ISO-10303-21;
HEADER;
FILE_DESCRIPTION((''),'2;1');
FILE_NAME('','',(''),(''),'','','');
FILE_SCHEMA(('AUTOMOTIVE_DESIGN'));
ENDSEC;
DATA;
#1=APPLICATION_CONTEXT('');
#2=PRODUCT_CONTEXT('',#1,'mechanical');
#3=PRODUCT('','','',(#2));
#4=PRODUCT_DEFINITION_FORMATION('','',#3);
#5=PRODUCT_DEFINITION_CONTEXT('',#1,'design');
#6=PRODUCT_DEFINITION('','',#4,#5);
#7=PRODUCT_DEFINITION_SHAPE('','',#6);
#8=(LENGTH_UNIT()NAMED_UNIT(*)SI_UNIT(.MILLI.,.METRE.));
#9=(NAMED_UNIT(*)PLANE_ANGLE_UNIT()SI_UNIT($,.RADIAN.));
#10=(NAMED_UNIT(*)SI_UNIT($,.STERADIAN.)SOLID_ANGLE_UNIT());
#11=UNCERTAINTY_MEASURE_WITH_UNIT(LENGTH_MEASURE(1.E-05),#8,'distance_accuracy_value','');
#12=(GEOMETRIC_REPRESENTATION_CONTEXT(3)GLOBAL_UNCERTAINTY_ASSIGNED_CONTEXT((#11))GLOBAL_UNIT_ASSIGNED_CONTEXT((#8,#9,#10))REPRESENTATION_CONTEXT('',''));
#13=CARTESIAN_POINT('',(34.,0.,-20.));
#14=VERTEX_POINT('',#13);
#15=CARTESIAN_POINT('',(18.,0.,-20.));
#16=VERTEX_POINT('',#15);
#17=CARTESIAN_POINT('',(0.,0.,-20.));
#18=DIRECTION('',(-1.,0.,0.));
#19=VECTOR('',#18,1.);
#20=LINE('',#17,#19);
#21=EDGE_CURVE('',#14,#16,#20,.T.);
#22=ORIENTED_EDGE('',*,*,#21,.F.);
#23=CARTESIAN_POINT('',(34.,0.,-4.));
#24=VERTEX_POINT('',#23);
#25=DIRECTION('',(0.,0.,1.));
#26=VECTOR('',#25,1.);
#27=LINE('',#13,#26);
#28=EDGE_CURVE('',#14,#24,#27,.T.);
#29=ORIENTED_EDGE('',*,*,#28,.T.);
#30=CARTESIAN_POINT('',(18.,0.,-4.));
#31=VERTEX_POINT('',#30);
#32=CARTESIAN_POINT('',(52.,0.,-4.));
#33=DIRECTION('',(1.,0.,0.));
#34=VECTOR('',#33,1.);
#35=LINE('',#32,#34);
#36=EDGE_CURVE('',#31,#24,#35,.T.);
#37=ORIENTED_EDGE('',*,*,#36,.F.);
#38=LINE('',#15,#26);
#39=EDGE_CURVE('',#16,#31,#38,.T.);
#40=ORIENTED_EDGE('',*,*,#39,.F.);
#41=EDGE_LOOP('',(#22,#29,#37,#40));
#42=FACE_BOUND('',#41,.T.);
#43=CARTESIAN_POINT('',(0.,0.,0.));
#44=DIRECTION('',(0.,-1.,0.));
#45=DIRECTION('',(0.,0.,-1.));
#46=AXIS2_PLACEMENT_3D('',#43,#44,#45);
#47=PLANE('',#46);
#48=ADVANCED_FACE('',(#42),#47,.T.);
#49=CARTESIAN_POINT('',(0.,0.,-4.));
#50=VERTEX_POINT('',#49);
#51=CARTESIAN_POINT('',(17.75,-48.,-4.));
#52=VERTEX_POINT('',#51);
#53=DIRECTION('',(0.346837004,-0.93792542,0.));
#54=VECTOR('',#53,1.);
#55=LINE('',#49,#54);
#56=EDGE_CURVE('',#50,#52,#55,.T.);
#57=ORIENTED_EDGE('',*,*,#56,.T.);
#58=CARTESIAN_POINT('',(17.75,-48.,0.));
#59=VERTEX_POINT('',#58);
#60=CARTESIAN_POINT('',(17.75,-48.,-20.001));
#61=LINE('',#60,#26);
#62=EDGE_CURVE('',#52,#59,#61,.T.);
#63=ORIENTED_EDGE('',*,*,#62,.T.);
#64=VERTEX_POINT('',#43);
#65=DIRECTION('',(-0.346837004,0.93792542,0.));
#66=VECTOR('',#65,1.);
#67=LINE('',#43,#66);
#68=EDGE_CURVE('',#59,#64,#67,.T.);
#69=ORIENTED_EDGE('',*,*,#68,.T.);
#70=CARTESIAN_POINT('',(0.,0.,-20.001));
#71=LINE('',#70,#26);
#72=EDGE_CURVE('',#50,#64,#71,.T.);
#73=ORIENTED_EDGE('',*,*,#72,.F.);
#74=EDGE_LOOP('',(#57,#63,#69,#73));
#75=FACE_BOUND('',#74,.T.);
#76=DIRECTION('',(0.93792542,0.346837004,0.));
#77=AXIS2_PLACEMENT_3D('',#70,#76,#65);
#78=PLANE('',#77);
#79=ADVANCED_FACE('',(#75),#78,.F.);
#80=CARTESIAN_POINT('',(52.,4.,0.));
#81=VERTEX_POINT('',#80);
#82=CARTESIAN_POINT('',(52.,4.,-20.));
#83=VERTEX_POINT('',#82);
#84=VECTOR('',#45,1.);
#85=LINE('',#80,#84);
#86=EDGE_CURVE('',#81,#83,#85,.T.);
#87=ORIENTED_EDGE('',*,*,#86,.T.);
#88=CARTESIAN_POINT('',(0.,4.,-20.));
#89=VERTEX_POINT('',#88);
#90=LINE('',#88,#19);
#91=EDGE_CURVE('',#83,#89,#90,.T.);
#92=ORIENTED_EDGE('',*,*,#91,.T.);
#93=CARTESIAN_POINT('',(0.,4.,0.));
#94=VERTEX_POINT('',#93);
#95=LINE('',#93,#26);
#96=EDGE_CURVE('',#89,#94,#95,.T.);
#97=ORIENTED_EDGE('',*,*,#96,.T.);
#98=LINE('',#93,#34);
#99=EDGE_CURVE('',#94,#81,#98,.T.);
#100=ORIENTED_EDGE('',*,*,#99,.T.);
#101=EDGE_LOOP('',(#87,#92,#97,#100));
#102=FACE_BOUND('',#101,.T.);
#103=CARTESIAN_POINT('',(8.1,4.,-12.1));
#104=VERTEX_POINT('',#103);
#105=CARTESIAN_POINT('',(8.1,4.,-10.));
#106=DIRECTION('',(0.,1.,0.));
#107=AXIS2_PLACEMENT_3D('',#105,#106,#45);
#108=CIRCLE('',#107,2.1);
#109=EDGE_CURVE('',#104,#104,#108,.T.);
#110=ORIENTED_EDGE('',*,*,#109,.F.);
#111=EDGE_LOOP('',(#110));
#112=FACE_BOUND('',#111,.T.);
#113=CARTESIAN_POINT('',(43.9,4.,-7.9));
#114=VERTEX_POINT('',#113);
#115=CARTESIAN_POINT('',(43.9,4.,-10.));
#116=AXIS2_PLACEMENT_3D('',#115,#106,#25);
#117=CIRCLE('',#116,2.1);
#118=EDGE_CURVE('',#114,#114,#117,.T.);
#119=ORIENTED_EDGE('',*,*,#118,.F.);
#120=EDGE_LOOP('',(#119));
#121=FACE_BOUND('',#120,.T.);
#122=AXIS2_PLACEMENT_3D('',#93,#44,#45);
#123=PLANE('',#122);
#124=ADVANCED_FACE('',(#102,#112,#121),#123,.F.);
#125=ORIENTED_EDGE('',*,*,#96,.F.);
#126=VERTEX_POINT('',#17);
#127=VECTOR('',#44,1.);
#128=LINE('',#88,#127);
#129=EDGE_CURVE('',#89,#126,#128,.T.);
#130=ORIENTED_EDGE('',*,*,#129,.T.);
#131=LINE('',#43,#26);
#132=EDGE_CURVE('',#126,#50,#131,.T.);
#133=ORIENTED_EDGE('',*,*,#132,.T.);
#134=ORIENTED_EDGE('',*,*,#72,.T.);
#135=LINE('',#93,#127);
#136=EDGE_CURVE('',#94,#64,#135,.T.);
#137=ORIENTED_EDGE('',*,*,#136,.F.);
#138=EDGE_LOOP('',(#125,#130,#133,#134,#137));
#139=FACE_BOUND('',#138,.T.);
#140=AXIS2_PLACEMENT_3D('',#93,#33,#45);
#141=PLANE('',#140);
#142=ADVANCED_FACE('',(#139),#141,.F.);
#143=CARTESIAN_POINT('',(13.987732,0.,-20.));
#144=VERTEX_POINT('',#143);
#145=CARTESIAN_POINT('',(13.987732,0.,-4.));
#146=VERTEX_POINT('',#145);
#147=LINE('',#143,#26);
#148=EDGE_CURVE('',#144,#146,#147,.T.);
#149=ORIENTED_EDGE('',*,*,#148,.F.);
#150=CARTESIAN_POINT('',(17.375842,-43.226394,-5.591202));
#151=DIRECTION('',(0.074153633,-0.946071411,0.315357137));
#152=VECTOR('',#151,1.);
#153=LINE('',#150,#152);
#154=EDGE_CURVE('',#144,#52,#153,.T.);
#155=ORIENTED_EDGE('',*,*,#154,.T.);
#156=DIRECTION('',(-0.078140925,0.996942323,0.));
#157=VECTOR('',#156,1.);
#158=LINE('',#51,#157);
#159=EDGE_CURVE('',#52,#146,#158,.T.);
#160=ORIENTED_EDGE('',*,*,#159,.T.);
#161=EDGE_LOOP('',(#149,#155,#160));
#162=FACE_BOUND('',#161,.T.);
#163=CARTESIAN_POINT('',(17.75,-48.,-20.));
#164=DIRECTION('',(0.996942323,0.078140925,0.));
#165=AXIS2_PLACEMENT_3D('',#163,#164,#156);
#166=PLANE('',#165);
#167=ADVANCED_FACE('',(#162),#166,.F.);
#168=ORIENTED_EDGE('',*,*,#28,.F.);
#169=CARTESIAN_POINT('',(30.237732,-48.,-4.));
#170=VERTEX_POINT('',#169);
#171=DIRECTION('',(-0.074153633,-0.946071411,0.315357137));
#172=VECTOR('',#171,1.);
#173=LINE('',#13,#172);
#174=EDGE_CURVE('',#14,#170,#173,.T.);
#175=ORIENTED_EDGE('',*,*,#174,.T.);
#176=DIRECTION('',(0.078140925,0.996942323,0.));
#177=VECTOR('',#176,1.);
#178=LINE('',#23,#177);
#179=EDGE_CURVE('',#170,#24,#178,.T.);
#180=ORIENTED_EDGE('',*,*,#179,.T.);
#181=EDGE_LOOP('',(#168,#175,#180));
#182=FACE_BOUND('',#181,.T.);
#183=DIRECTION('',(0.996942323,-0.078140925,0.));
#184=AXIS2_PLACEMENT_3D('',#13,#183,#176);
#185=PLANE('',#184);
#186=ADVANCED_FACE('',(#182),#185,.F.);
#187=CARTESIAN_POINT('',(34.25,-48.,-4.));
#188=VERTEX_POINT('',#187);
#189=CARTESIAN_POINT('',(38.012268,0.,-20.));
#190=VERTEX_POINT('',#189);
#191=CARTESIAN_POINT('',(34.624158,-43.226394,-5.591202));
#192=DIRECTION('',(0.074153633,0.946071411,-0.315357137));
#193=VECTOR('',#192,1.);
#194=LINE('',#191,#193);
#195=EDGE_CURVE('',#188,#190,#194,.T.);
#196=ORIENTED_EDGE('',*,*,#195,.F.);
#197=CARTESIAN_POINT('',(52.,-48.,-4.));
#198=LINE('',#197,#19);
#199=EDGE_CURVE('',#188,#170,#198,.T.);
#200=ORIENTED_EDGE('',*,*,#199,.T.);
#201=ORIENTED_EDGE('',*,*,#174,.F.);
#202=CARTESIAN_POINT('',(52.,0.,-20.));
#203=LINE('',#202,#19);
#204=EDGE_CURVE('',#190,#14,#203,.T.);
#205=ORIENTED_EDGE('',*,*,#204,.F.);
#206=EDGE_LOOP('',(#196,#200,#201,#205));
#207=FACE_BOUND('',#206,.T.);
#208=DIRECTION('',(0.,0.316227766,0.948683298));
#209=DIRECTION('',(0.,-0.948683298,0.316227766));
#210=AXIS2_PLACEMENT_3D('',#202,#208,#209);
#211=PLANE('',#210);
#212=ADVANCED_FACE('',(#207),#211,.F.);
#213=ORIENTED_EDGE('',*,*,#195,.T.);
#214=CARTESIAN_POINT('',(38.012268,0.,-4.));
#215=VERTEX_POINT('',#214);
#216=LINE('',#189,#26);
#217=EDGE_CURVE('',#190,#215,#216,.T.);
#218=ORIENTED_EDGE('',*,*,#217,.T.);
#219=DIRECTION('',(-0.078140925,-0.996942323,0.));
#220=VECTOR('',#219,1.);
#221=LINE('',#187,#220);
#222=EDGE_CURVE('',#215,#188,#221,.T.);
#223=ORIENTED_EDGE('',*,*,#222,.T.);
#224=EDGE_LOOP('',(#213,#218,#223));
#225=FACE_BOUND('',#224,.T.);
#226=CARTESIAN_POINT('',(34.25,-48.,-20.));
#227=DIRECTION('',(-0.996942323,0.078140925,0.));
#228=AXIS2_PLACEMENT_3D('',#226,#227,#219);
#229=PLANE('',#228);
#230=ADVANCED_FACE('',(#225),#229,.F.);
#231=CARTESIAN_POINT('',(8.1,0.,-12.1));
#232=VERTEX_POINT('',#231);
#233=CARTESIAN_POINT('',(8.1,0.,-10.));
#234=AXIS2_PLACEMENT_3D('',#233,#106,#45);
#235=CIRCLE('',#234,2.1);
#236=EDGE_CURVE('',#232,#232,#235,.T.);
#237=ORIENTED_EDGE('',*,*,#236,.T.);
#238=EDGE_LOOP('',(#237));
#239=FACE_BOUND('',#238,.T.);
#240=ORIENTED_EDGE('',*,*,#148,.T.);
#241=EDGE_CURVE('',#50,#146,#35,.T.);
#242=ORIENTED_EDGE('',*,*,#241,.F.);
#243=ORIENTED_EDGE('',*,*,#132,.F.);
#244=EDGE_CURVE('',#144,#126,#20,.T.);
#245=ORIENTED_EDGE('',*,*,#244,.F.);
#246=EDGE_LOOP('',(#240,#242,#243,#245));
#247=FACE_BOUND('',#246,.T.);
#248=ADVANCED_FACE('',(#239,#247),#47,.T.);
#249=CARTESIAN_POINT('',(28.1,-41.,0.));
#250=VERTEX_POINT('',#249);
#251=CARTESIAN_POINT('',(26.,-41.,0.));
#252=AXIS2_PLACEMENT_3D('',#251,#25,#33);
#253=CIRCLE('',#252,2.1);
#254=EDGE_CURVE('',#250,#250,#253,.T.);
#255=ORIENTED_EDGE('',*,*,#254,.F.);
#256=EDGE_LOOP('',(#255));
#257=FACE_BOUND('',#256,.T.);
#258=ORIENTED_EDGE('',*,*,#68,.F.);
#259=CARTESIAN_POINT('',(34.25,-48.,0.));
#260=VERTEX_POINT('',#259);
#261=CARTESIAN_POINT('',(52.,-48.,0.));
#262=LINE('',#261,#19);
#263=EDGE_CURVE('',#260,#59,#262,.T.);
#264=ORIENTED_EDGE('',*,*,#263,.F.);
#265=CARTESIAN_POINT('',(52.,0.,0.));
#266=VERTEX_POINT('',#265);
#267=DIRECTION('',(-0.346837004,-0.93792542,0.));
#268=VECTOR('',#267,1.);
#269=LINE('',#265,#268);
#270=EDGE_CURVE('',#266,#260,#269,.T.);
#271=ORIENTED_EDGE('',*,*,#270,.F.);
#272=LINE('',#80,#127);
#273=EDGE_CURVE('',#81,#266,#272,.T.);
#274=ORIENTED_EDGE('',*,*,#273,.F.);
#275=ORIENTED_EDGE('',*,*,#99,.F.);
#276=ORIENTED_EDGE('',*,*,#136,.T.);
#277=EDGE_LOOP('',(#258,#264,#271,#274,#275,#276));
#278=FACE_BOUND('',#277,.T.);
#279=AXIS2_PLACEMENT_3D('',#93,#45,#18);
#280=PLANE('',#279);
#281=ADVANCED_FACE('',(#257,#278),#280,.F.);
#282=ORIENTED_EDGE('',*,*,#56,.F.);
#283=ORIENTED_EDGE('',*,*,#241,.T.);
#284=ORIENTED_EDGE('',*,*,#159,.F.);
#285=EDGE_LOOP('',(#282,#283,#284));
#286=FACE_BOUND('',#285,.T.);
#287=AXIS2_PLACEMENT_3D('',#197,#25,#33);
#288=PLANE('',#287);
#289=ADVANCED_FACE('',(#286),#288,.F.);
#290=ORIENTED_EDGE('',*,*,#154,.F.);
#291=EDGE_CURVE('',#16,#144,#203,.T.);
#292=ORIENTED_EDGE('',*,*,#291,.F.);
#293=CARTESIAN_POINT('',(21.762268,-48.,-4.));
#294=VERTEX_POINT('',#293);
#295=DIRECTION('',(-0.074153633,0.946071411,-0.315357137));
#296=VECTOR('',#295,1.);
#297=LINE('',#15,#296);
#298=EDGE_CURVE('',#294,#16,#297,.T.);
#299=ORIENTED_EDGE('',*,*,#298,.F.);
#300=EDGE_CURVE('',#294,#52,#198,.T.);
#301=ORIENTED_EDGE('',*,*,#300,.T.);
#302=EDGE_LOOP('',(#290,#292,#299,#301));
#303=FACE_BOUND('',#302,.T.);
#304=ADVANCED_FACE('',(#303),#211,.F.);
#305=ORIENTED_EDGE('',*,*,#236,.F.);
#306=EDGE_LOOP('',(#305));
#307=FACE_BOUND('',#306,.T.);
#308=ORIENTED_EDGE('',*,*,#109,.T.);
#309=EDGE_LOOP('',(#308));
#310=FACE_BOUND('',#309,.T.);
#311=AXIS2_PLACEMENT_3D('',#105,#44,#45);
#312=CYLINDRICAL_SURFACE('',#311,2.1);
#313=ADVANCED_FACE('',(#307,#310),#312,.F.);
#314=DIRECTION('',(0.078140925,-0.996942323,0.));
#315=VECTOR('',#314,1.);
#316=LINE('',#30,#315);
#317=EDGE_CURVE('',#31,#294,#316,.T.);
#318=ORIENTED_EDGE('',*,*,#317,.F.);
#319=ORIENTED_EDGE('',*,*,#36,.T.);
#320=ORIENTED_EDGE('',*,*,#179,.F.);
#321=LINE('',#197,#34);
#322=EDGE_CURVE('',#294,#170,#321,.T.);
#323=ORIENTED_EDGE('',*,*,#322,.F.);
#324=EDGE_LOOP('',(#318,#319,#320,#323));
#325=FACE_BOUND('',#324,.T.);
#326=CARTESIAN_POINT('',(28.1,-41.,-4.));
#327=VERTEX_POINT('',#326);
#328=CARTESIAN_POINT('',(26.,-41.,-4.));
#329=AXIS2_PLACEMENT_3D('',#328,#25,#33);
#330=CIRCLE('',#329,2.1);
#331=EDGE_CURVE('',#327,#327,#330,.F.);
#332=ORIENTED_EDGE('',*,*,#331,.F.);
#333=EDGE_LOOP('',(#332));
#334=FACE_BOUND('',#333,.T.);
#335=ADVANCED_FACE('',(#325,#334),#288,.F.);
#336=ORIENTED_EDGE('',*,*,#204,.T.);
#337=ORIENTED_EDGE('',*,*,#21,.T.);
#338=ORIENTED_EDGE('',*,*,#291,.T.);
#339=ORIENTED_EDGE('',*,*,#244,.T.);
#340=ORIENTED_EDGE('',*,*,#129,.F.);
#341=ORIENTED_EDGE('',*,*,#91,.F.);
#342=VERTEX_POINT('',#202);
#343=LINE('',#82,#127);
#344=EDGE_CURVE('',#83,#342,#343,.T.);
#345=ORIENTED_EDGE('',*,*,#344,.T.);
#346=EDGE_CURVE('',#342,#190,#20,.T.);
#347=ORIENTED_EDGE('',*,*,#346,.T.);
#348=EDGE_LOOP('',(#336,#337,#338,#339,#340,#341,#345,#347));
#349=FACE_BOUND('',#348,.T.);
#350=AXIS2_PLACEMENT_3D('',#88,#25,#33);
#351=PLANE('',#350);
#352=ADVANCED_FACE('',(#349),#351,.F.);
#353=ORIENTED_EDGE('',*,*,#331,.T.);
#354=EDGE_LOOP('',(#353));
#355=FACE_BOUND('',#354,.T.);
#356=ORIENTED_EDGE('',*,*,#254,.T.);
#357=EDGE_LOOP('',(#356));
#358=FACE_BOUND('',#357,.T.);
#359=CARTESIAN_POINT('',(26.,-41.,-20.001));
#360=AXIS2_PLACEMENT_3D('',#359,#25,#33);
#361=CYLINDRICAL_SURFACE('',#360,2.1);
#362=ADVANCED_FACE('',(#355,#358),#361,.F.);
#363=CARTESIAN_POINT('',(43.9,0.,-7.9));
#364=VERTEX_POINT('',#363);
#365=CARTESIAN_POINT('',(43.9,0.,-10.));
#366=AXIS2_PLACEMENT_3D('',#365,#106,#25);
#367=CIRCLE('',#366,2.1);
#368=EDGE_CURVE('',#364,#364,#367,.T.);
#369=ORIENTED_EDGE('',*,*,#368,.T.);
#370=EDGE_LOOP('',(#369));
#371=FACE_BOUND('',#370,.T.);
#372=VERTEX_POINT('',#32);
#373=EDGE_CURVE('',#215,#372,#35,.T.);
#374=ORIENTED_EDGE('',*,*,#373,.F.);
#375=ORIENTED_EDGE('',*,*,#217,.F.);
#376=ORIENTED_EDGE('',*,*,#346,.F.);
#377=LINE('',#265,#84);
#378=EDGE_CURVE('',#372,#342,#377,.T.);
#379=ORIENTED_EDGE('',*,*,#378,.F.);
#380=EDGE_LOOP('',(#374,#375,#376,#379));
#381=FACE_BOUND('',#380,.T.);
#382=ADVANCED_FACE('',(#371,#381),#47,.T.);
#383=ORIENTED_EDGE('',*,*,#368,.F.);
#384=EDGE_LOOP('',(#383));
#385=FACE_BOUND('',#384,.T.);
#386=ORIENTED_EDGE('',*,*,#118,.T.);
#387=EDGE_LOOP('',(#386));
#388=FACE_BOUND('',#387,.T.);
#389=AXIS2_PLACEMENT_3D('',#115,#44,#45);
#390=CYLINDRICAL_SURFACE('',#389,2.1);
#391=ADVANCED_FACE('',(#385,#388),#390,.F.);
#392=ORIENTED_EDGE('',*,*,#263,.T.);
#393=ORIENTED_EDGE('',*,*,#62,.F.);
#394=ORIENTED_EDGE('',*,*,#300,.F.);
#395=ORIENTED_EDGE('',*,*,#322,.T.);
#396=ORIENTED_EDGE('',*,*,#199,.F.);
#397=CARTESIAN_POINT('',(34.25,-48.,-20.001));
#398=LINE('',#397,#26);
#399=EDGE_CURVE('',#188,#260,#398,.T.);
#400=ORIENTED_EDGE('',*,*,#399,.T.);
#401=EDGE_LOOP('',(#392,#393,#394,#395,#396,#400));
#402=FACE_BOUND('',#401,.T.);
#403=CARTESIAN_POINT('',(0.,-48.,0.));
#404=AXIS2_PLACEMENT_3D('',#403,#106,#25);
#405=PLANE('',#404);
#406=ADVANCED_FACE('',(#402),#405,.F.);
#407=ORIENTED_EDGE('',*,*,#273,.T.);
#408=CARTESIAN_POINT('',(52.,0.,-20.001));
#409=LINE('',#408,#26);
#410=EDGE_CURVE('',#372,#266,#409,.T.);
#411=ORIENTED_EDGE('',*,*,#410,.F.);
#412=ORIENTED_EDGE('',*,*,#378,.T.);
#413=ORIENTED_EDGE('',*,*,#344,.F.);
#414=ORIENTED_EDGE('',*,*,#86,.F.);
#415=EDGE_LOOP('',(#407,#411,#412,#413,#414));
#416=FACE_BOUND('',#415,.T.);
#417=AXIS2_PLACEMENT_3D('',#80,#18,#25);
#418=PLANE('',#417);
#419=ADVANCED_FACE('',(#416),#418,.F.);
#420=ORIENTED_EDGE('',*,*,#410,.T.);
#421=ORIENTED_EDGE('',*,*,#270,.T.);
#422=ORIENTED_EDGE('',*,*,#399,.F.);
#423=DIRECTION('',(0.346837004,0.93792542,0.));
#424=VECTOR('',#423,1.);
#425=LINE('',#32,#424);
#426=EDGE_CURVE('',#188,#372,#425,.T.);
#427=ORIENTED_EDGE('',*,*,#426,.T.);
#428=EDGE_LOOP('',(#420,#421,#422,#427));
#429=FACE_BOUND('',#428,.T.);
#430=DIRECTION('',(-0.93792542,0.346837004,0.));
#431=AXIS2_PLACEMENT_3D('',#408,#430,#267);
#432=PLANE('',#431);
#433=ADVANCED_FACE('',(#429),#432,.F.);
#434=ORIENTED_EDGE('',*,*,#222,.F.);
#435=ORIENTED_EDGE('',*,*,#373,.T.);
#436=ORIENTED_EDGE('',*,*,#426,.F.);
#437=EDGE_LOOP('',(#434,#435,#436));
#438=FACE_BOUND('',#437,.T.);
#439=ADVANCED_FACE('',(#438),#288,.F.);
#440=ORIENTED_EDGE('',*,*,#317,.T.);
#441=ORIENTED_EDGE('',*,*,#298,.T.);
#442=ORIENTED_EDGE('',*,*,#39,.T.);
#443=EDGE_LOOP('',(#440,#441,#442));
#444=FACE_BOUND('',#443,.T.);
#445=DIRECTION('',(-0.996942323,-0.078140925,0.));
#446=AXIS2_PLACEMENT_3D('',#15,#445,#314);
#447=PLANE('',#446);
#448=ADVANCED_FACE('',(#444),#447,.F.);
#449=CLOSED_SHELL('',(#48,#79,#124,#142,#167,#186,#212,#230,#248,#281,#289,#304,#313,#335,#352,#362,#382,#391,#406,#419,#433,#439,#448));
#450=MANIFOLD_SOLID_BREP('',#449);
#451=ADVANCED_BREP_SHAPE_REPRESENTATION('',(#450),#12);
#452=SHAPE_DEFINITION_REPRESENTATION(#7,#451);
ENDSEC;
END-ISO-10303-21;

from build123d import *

# Parameters (mm, degrees)
SKETCH1_W           = 52
SKETCH1_H           = 20
SKETCH1_R           = 2.1
BOSS_EXTRUDE1_DEPTH = 4
SKETCH2_W           = 52
SKETCH2_H           = 4
BOSS_EXTRUDE2_DEPTH = 48
CUT_EXTRUDE1_REACH  = 22
SKETCH3_R           = 2.1
BOSS_EXTRUDE3_DEPTH = 16
CUT_EXTRUDE3_DEPTH  = 53


with BuildPart() as part:
    # Sketch1 → Boss-Extrude1 (new body)
    with BuildSketch(Plane(origin=(0, 0, 0), x_dir=(1, 0, 0), z_dir=(0, 1, 0))):
        with Locations((26, 10)):
            Rectangle(SKETCH1_W, SKETCH1_H)
        with Locations((43.9, 10)):
            Circle(SKETCH1_R, mode=Mode.SUBTRACT)
        with Locations((8.1, 10)):
            Circle(SKETCH1_R, mode=Mode.SUBTRACT)
    extrude(amount=BOSS_EXTRUDE1_DEPTH)

    # Sketch2 → Boss-Extrude2 (add)
    with BuildSketch(Plane.XZ):
        with Locations((26, -2)):
            Rectangle(SKETCH2_W, SKETCH2_H)
    extrude(amount=BOSS_EXTRUDE2_DEPTH)

    # Sketch3 → Cut-Extrude1 (cut, up to next)
    with BuildSketch(Plane.XY, mode=Mode.PRIVATE) as cut_extrude1_sk1:
        with Locations((26, -41)):
            Circle(SKETCH3_R)
    cut_extrude1_tool1 = extrude(cut_extrude1_sk1.sketch, amount=-CUT_EXTRUDE1_REACH, mode=Mode.PRIVATE) & part.part
    add(cut_extrude1_tool1.solids().sort_by_distance((26, -41, 0))[0], mode=Mode.SUBTRACT)
    # Sketch3 → Cut-Extrude1 (cut, up to next)
    with BuildSketch(Plane.XY, mode=Mode.PRIVATE) as cut_extrude1_sk2:
        Polygon((52, 0), (34.25, -48), (52, -48), align=None)
    cut_extrude1_tool2 = extrude(cut_extrude1_sk2.sketch, amount=-CUT_EXTRUDE1_REACH, mode=Mode.PRIVATE) & part.part
    add(cut_extrude1_tool2.solids().sort_by_distance((46.083333, -32, 0))[0], mode=Mode.SUBTRACT)
    # Sketch3 → Cut-Extrude1 (cut, up to next)
    with BuildSketch(Plane.XY, mode=Mode.PRIVATE) as cut_extrude1_sk3:
        Polygon((0, -48), (0, 0), (17.75, -48), align=None)
    cut_extrude1_tool3 = extrude(cut_extrude1_sk3.sketch, amount=-CUT_EXTRUDE1_REACH, mode=Mode.PRIVATE) & part.part
    add(cut_extrude1_tool3.solids().sort_by_distance((5.916667, -32, 0))[0], mode=Mode.SUBTRACT)

    # Sketch5 → Boss-Extrude3 (add)
    with BuildSketch(Plane(origin=(0, 0, -4), x_dir=(-1, 0, 0), z_dir=(0, 0, -1))):
        Polygon((-34.25, -48), (-38.012268219, 0), (-34, 0), (-30.237731781, -48), align=None)
        Polygon((-13.987731781, 0), (-18, 0), (-21.762268219, -48), (-17.75, -48), align=None)
    extrude(amount=BOSS_EXTRUDE3_DEPTH)

    # Sketch6 → Cut-Extrude3 (cut, through all)
    with BuildSketch(Plane.ZY):
        Polygon((-20, 0), (-4, -48), (-20, -48), align=None)
    extrude(amount=-CUT_EXTRUDE3_DEPTH, mode=Mode.SUBTRACT)


solid = part.part
